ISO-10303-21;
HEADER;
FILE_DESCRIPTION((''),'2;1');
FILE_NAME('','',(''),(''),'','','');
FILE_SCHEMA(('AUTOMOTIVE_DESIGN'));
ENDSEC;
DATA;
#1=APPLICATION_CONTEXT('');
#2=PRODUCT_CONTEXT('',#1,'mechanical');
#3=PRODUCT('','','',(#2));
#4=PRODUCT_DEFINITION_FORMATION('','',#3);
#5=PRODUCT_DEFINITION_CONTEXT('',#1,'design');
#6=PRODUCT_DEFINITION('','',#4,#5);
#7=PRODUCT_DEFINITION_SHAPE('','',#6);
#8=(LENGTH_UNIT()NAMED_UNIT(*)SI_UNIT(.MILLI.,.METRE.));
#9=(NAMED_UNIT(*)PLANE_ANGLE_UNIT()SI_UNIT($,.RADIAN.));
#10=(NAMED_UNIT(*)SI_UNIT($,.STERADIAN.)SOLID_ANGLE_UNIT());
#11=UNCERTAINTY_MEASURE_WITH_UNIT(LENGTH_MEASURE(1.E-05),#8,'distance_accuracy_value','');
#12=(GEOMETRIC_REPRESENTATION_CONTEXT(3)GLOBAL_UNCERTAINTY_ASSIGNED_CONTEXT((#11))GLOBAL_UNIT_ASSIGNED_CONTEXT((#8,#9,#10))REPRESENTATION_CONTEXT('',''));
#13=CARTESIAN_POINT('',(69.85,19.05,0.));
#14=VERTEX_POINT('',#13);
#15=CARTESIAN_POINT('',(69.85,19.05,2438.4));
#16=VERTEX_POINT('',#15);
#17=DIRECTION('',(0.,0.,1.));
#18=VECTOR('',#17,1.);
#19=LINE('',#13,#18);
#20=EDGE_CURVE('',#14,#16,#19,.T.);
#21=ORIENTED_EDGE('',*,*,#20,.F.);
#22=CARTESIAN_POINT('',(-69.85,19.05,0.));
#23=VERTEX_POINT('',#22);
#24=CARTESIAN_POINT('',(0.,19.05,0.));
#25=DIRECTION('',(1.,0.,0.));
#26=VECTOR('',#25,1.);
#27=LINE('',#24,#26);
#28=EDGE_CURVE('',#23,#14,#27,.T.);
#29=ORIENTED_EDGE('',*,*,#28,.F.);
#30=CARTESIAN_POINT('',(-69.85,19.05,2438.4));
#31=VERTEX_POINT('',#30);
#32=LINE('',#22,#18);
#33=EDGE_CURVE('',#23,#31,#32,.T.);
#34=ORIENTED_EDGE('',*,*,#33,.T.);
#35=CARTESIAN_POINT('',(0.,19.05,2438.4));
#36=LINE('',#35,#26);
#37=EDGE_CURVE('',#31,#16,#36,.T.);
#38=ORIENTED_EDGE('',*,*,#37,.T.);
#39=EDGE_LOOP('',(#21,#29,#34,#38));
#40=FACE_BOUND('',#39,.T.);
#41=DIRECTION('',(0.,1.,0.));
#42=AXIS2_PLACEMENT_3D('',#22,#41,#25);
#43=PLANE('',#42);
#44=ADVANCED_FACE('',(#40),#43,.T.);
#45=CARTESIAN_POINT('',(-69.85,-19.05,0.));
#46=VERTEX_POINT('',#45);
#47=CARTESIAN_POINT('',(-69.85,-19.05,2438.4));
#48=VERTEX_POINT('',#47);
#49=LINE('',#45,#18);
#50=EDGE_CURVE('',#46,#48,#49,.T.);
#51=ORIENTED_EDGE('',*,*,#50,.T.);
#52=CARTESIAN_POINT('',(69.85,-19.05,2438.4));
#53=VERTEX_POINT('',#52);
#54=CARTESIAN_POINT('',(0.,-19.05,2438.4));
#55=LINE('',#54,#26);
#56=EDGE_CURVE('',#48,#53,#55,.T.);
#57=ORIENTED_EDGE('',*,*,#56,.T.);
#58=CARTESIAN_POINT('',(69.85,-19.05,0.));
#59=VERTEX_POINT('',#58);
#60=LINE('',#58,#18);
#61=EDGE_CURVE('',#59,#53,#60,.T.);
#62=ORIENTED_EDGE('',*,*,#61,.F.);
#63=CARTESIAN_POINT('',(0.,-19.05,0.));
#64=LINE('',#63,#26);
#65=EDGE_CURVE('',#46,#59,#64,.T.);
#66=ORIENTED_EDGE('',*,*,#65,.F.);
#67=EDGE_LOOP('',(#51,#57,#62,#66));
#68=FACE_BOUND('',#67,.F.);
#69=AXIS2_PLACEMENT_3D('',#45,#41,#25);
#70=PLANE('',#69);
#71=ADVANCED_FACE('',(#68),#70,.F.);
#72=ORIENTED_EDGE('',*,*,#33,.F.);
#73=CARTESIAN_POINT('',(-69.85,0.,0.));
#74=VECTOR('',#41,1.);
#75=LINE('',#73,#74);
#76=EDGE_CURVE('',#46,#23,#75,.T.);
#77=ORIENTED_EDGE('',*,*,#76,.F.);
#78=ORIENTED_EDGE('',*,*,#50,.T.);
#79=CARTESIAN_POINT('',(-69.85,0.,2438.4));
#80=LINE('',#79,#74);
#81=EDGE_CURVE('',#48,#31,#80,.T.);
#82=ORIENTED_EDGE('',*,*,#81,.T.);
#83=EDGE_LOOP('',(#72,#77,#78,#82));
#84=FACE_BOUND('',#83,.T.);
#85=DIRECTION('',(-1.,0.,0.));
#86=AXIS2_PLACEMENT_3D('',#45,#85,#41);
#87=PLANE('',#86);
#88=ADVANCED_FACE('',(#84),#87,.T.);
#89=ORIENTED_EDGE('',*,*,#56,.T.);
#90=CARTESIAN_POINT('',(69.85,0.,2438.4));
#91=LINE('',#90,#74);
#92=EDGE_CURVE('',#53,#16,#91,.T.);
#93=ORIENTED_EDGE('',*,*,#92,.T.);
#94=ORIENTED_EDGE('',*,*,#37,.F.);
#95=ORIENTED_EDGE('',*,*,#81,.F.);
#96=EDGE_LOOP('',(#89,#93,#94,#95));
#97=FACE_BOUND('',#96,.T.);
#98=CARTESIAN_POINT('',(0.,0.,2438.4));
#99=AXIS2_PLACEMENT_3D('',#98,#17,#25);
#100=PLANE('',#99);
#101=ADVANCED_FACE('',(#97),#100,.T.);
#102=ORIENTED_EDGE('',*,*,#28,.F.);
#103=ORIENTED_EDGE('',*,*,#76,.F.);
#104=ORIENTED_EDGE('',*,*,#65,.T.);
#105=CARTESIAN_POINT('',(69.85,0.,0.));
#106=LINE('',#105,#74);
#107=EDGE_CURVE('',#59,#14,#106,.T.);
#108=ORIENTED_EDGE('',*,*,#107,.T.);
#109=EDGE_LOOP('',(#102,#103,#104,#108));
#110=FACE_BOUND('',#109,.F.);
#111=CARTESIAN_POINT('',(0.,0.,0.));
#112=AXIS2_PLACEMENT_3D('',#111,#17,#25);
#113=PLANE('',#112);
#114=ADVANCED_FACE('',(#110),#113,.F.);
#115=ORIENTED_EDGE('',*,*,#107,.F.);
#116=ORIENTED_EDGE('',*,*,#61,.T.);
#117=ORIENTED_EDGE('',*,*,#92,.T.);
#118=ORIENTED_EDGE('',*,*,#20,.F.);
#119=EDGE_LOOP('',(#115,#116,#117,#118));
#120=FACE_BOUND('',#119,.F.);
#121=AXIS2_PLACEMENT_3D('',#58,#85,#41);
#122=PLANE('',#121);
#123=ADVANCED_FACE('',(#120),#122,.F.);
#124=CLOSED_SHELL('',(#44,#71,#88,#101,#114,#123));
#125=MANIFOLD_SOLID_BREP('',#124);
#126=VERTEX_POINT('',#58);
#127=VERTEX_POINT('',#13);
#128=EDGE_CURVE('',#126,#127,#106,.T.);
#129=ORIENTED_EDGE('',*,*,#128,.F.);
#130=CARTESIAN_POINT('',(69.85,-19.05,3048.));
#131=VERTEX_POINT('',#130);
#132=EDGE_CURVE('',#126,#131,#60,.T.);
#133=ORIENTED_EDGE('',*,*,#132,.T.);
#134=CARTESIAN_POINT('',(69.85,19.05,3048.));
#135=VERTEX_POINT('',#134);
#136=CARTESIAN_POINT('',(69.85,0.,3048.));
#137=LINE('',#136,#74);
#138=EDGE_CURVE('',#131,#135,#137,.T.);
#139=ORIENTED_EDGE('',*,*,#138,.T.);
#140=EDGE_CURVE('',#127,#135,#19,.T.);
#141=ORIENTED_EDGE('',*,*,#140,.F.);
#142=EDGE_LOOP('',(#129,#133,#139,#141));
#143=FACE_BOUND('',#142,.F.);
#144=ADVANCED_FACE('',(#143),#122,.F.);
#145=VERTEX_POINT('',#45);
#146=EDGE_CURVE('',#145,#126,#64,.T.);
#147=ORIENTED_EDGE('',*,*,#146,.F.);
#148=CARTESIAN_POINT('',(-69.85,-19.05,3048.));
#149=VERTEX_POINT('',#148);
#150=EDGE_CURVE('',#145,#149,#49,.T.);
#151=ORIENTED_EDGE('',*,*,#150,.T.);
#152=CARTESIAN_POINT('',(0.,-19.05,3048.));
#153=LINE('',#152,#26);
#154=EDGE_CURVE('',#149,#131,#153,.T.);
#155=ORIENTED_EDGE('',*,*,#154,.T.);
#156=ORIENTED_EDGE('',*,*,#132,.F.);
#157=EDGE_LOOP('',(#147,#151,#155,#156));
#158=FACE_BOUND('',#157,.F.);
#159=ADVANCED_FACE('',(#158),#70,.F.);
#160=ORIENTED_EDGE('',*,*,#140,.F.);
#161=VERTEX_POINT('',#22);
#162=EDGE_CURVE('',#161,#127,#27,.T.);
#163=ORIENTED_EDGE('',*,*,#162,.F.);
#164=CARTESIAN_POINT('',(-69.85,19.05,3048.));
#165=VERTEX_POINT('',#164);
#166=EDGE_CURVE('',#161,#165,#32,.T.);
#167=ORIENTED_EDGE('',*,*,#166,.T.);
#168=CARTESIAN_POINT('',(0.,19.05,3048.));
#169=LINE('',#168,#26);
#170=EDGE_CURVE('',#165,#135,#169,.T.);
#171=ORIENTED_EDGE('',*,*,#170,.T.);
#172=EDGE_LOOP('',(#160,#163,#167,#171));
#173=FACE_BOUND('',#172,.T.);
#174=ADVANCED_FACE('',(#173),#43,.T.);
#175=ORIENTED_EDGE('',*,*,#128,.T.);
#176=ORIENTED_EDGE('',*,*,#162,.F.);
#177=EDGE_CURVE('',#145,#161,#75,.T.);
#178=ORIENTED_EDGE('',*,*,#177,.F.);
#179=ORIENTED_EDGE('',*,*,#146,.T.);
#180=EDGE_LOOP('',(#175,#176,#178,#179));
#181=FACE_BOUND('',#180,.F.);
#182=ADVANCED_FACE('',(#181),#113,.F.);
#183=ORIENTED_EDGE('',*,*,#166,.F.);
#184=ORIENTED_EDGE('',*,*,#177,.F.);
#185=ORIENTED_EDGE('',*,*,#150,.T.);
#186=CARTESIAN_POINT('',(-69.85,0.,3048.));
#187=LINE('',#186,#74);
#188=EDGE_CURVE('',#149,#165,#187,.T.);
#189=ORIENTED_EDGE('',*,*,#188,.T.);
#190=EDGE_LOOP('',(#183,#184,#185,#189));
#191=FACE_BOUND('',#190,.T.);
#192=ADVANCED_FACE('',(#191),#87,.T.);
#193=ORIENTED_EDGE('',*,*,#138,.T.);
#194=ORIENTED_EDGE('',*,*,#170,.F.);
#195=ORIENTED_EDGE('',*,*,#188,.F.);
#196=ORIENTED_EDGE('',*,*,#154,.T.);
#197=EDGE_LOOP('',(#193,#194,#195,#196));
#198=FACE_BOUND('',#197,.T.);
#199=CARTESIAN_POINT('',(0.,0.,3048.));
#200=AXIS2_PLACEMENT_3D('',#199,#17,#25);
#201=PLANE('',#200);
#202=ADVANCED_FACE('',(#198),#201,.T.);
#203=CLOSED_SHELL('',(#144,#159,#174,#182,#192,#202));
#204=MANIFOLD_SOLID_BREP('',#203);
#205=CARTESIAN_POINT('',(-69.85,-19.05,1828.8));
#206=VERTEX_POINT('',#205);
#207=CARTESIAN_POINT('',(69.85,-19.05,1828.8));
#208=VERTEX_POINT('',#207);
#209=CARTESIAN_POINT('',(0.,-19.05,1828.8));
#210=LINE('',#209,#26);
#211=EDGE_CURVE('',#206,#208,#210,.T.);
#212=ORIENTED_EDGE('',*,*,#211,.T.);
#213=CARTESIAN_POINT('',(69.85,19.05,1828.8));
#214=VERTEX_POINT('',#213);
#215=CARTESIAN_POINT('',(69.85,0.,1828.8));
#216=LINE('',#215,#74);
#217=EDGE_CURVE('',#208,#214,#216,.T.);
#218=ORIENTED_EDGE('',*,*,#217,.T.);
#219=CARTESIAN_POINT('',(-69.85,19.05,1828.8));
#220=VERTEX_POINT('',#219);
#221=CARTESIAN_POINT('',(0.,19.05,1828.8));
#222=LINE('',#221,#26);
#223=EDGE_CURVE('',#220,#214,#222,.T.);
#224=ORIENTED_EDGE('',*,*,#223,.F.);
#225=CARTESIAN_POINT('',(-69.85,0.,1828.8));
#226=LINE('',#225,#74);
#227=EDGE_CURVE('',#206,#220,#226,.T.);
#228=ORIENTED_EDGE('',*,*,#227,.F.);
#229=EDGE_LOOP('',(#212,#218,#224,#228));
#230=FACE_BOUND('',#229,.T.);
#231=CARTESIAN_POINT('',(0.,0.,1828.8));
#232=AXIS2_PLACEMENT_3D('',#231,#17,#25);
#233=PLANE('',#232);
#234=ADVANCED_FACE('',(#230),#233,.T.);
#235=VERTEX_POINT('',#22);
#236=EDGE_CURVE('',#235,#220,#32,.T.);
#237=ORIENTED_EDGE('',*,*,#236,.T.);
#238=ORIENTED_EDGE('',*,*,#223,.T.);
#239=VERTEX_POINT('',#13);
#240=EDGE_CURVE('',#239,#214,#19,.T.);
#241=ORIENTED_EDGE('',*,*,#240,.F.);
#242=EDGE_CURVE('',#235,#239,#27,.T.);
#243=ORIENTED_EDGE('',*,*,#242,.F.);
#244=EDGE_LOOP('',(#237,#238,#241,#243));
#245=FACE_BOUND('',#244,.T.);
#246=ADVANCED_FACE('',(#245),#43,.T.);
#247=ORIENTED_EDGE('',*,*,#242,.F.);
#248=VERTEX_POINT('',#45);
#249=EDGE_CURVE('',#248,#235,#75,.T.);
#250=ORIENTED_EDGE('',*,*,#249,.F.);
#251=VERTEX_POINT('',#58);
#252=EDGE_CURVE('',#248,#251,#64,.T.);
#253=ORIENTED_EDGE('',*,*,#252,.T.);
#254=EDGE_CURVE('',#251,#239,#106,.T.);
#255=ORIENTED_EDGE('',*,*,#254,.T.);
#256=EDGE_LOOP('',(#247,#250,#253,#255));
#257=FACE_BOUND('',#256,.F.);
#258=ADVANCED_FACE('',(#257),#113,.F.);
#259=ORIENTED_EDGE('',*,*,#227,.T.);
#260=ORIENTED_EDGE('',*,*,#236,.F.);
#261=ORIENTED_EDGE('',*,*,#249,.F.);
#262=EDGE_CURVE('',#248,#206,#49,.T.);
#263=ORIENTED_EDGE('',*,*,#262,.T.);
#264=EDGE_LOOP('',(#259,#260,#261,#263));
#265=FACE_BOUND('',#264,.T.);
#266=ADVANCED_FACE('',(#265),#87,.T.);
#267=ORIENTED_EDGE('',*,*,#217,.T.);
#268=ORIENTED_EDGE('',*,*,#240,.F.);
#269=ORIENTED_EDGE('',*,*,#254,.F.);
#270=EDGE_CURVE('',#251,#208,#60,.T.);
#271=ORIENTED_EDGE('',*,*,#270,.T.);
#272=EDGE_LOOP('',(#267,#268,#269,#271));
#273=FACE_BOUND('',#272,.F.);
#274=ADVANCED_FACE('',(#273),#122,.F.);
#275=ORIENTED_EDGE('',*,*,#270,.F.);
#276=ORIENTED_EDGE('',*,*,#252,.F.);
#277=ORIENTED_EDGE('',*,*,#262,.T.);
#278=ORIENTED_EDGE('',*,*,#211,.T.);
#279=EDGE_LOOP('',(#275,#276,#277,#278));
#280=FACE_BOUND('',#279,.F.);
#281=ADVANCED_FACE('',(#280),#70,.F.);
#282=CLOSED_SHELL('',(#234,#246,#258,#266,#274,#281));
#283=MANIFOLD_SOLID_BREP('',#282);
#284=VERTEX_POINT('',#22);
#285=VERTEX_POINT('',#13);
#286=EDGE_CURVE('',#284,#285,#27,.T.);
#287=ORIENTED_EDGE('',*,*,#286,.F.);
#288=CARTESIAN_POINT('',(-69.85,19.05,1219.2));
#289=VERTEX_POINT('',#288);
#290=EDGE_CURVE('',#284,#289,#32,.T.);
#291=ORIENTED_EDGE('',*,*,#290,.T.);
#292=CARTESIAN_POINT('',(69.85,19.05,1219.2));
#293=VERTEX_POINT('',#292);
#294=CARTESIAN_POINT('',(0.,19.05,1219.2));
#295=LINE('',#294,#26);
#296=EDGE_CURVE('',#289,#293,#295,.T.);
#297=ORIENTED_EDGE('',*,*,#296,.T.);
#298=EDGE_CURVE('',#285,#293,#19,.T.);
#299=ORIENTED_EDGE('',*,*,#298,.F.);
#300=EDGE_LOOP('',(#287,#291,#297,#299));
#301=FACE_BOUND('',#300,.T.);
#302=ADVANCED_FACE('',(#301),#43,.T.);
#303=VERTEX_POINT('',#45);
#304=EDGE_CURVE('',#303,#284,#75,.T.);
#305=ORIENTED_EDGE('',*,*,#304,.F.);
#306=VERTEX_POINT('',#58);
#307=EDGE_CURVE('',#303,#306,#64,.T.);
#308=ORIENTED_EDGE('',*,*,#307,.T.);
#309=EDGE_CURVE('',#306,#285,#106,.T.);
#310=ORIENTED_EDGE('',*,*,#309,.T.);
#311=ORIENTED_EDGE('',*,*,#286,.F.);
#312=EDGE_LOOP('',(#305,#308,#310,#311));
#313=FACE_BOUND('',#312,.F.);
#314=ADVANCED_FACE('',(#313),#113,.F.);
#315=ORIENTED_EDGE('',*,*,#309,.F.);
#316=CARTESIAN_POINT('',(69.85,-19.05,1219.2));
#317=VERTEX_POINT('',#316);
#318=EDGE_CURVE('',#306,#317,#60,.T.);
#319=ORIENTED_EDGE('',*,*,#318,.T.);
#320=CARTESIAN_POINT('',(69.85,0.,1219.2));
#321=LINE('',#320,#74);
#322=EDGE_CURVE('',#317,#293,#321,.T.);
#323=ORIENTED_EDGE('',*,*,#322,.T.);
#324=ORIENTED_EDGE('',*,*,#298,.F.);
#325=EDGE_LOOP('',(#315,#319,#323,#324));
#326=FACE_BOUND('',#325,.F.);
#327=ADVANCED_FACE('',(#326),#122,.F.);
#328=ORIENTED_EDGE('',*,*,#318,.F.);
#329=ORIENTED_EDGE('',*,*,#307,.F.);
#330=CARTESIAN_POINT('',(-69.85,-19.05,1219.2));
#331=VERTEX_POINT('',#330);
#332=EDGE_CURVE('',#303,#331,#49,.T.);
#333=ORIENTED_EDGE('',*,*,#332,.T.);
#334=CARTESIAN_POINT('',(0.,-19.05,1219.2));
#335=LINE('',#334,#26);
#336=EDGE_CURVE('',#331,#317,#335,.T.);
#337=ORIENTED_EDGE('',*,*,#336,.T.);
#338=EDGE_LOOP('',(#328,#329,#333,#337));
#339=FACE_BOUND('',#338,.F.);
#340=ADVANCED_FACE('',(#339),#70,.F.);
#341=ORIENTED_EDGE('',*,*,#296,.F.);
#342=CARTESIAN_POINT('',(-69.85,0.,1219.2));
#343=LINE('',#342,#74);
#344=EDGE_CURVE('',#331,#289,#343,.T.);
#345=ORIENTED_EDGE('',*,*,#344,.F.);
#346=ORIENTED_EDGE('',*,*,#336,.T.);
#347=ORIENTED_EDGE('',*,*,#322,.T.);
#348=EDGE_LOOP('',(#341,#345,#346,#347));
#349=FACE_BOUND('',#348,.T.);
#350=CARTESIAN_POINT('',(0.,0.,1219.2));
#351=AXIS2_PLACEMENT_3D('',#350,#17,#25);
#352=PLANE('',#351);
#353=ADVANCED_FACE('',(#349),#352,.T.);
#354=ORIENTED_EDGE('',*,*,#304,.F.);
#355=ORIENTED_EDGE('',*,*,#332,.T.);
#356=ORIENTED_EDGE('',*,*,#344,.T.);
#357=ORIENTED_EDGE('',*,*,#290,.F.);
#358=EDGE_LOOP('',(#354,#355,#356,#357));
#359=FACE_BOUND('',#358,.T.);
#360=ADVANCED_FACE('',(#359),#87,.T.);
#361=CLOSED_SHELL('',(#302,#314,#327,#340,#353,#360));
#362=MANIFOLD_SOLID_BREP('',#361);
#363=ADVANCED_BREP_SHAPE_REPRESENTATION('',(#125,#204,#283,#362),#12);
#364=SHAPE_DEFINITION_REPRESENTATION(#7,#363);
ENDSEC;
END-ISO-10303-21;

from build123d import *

# Parameters (mm, degrees)
F0_W     = 139.7
F0_H     = 38.1
F1_DEPTH = 3048
F2_DEPTH = 2438.4
F3_DEPTH = 1828.8
F4_DEPTH = 1219.2


with BuildPart() as f1:
    # F0 (on Top) → F1 (new body)
    with BuildSketch(Plane.XY):
        Rectangle(F0_W, F0_H)
    extrude(amount=F1_DEPTH)


with BuildPart() as f2:
    # F0 (on Top) → F2 (new body)
    with BuildSketch(Plane.XY):
        Rectangle(F0_W, F0_H)
    extrude(amount=F2_DEPTH)


with BuildPart() as f3:
    # F0 (on Top) → F3 (new body)
    with BuildSketch(Plane.XY):
        Rectangle(F0_W, F0_H)
    extrude(amount=F3_DEPTH)


with BuildPart() as f4:
    # F0 (on Top) → F4 (new body)
    with BuildSketch(Plane.XY):
        Rectangle(F0_W, F0_H)
    extrude(amount=F4_DEPTH)


solid = Compound([f1.part, f2.part, f3.part, f4.part])
